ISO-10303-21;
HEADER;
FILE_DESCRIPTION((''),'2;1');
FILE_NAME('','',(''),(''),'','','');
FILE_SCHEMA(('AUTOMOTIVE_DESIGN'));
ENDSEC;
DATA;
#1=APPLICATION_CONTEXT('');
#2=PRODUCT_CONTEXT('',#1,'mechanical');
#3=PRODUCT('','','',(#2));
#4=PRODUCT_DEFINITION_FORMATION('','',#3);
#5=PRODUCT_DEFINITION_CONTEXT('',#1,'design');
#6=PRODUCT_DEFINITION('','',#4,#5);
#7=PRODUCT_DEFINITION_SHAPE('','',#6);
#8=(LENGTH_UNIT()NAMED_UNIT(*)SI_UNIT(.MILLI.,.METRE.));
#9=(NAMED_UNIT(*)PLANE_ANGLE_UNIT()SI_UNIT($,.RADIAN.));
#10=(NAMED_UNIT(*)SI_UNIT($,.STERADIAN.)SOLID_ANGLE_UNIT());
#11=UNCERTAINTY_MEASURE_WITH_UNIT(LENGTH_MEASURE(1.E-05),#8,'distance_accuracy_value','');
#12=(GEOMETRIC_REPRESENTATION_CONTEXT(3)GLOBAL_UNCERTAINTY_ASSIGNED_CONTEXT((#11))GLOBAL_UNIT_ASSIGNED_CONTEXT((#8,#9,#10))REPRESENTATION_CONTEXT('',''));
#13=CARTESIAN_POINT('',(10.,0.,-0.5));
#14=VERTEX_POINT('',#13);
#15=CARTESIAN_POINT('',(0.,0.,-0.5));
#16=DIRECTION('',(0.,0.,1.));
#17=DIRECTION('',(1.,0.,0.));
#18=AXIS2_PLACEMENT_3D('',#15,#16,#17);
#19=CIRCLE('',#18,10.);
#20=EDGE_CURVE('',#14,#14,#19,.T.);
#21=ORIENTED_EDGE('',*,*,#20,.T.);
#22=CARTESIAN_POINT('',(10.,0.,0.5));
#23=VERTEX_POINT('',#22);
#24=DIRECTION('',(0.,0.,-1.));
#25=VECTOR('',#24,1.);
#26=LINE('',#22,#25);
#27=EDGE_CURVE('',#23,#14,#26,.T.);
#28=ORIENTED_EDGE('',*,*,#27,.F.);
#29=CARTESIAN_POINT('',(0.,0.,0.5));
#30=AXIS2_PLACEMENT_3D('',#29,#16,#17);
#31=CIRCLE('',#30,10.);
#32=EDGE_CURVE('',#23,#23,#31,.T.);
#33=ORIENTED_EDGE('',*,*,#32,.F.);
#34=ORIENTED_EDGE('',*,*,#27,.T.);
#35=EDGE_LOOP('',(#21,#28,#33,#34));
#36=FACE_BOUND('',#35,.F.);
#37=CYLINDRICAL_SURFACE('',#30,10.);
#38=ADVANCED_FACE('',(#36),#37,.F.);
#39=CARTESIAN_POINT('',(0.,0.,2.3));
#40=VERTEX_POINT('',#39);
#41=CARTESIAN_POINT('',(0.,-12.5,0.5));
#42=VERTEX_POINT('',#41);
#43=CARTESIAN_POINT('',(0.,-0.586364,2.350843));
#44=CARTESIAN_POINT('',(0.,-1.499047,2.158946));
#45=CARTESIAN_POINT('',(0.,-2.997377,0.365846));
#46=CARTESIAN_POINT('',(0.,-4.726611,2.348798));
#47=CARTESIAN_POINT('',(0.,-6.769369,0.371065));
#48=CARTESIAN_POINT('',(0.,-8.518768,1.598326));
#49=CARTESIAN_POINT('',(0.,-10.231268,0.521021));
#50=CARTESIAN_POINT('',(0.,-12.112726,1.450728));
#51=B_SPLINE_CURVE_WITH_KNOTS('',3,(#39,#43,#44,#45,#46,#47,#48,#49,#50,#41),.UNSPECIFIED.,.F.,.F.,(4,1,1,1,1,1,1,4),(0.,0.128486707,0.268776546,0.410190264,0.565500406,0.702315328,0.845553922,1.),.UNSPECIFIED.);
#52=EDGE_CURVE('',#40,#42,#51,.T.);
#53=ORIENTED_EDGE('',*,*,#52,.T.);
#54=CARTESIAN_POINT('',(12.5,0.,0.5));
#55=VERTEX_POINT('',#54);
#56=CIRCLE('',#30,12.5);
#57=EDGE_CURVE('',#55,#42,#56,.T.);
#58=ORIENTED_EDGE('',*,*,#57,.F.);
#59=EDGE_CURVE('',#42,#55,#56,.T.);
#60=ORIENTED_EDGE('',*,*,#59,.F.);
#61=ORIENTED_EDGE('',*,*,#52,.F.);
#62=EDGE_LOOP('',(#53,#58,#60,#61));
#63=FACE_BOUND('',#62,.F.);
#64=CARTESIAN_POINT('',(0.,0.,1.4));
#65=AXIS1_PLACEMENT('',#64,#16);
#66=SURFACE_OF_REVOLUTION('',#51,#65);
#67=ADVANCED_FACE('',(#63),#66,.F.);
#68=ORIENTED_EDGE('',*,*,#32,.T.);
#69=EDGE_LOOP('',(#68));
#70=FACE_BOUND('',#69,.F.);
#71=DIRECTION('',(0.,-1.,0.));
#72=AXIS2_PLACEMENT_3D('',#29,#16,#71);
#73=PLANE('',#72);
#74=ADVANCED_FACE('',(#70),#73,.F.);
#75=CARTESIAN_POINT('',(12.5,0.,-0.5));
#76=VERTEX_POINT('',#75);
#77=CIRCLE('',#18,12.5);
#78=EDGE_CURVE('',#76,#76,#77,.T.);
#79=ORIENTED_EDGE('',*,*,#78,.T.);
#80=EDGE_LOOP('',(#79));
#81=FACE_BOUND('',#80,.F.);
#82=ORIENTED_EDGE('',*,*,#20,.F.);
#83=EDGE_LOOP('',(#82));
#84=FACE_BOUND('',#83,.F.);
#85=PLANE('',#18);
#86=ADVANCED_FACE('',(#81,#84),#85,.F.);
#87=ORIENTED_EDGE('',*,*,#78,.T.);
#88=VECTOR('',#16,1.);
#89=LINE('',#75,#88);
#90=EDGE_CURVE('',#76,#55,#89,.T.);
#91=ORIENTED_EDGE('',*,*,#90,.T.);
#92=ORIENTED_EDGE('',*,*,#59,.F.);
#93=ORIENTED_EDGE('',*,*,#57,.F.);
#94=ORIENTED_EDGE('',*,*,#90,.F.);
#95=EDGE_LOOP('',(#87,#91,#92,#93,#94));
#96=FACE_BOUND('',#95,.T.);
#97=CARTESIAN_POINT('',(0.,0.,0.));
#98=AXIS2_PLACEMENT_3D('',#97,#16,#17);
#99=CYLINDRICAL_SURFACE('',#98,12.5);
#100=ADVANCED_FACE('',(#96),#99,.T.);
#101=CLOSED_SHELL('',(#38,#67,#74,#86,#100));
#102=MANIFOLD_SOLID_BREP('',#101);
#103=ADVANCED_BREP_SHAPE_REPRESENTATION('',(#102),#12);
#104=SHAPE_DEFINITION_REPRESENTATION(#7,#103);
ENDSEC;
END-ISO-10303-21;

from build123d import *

# Parameters (mm, degrees)
F0_R          = 12.5
F1_DEPTH      = 0.5
F1_DEPTH_BACK = 0.5
F2_R          = 10
F3_DEPTH      = 25


with BuildPart() as f1:
    # F0 (on Top) → F1 (new body, two sides)
    with BuildSketch(Plane.XY) as f1_sk:
        Circle(F0_R)
    extrude(amount=F1_DEPTH)
    extrude(f1_sk.sketch, amount=-F1_DEPTH_BACK)

    # F2 (on face) → F3 (cut)
    with BuildSketch(Plane.XY.offset(0.5)):
        Circle(F2_R)
    extrude(amount=-F3_DEPTH, mode=Mode.SUBTRACT)

    # F4 (on Right) → F5 (revolve)
    with BuildSketch(Plane.YZ):
        with BuildLine():
            add(Edge.make_bspline(
                [(0, 2.3), (-0.5863639585, 2.3508427839), (-1.4990472159, 2.1589461264), (-2.9973770587, 0.3658457695), (-4.7266114084, 2.3487976007), (-6.7693691414, 0.3710648295), (-8.5187679971, 1.5983260061), (-10.2312680267, 0.5210206799), (-12.1127263009, 1.4507284424), (-12.5, 0.5)],
                knots=[0, 0, 0, 0, 0.128486707, 0.268776546, 0.4101902637, 0.5655004063, 0.7023153284, 0.8455539218, 1, 1, 1, 1], degree=3))
            Line((-12.5, 0.5), (0, 0.5))
            Line((0, 0.5), (0, 2.3))
        make_face()
    revolve(axis=Axis((0, 0, 1.4), (0, 0, 1)))


solid = f1.part
